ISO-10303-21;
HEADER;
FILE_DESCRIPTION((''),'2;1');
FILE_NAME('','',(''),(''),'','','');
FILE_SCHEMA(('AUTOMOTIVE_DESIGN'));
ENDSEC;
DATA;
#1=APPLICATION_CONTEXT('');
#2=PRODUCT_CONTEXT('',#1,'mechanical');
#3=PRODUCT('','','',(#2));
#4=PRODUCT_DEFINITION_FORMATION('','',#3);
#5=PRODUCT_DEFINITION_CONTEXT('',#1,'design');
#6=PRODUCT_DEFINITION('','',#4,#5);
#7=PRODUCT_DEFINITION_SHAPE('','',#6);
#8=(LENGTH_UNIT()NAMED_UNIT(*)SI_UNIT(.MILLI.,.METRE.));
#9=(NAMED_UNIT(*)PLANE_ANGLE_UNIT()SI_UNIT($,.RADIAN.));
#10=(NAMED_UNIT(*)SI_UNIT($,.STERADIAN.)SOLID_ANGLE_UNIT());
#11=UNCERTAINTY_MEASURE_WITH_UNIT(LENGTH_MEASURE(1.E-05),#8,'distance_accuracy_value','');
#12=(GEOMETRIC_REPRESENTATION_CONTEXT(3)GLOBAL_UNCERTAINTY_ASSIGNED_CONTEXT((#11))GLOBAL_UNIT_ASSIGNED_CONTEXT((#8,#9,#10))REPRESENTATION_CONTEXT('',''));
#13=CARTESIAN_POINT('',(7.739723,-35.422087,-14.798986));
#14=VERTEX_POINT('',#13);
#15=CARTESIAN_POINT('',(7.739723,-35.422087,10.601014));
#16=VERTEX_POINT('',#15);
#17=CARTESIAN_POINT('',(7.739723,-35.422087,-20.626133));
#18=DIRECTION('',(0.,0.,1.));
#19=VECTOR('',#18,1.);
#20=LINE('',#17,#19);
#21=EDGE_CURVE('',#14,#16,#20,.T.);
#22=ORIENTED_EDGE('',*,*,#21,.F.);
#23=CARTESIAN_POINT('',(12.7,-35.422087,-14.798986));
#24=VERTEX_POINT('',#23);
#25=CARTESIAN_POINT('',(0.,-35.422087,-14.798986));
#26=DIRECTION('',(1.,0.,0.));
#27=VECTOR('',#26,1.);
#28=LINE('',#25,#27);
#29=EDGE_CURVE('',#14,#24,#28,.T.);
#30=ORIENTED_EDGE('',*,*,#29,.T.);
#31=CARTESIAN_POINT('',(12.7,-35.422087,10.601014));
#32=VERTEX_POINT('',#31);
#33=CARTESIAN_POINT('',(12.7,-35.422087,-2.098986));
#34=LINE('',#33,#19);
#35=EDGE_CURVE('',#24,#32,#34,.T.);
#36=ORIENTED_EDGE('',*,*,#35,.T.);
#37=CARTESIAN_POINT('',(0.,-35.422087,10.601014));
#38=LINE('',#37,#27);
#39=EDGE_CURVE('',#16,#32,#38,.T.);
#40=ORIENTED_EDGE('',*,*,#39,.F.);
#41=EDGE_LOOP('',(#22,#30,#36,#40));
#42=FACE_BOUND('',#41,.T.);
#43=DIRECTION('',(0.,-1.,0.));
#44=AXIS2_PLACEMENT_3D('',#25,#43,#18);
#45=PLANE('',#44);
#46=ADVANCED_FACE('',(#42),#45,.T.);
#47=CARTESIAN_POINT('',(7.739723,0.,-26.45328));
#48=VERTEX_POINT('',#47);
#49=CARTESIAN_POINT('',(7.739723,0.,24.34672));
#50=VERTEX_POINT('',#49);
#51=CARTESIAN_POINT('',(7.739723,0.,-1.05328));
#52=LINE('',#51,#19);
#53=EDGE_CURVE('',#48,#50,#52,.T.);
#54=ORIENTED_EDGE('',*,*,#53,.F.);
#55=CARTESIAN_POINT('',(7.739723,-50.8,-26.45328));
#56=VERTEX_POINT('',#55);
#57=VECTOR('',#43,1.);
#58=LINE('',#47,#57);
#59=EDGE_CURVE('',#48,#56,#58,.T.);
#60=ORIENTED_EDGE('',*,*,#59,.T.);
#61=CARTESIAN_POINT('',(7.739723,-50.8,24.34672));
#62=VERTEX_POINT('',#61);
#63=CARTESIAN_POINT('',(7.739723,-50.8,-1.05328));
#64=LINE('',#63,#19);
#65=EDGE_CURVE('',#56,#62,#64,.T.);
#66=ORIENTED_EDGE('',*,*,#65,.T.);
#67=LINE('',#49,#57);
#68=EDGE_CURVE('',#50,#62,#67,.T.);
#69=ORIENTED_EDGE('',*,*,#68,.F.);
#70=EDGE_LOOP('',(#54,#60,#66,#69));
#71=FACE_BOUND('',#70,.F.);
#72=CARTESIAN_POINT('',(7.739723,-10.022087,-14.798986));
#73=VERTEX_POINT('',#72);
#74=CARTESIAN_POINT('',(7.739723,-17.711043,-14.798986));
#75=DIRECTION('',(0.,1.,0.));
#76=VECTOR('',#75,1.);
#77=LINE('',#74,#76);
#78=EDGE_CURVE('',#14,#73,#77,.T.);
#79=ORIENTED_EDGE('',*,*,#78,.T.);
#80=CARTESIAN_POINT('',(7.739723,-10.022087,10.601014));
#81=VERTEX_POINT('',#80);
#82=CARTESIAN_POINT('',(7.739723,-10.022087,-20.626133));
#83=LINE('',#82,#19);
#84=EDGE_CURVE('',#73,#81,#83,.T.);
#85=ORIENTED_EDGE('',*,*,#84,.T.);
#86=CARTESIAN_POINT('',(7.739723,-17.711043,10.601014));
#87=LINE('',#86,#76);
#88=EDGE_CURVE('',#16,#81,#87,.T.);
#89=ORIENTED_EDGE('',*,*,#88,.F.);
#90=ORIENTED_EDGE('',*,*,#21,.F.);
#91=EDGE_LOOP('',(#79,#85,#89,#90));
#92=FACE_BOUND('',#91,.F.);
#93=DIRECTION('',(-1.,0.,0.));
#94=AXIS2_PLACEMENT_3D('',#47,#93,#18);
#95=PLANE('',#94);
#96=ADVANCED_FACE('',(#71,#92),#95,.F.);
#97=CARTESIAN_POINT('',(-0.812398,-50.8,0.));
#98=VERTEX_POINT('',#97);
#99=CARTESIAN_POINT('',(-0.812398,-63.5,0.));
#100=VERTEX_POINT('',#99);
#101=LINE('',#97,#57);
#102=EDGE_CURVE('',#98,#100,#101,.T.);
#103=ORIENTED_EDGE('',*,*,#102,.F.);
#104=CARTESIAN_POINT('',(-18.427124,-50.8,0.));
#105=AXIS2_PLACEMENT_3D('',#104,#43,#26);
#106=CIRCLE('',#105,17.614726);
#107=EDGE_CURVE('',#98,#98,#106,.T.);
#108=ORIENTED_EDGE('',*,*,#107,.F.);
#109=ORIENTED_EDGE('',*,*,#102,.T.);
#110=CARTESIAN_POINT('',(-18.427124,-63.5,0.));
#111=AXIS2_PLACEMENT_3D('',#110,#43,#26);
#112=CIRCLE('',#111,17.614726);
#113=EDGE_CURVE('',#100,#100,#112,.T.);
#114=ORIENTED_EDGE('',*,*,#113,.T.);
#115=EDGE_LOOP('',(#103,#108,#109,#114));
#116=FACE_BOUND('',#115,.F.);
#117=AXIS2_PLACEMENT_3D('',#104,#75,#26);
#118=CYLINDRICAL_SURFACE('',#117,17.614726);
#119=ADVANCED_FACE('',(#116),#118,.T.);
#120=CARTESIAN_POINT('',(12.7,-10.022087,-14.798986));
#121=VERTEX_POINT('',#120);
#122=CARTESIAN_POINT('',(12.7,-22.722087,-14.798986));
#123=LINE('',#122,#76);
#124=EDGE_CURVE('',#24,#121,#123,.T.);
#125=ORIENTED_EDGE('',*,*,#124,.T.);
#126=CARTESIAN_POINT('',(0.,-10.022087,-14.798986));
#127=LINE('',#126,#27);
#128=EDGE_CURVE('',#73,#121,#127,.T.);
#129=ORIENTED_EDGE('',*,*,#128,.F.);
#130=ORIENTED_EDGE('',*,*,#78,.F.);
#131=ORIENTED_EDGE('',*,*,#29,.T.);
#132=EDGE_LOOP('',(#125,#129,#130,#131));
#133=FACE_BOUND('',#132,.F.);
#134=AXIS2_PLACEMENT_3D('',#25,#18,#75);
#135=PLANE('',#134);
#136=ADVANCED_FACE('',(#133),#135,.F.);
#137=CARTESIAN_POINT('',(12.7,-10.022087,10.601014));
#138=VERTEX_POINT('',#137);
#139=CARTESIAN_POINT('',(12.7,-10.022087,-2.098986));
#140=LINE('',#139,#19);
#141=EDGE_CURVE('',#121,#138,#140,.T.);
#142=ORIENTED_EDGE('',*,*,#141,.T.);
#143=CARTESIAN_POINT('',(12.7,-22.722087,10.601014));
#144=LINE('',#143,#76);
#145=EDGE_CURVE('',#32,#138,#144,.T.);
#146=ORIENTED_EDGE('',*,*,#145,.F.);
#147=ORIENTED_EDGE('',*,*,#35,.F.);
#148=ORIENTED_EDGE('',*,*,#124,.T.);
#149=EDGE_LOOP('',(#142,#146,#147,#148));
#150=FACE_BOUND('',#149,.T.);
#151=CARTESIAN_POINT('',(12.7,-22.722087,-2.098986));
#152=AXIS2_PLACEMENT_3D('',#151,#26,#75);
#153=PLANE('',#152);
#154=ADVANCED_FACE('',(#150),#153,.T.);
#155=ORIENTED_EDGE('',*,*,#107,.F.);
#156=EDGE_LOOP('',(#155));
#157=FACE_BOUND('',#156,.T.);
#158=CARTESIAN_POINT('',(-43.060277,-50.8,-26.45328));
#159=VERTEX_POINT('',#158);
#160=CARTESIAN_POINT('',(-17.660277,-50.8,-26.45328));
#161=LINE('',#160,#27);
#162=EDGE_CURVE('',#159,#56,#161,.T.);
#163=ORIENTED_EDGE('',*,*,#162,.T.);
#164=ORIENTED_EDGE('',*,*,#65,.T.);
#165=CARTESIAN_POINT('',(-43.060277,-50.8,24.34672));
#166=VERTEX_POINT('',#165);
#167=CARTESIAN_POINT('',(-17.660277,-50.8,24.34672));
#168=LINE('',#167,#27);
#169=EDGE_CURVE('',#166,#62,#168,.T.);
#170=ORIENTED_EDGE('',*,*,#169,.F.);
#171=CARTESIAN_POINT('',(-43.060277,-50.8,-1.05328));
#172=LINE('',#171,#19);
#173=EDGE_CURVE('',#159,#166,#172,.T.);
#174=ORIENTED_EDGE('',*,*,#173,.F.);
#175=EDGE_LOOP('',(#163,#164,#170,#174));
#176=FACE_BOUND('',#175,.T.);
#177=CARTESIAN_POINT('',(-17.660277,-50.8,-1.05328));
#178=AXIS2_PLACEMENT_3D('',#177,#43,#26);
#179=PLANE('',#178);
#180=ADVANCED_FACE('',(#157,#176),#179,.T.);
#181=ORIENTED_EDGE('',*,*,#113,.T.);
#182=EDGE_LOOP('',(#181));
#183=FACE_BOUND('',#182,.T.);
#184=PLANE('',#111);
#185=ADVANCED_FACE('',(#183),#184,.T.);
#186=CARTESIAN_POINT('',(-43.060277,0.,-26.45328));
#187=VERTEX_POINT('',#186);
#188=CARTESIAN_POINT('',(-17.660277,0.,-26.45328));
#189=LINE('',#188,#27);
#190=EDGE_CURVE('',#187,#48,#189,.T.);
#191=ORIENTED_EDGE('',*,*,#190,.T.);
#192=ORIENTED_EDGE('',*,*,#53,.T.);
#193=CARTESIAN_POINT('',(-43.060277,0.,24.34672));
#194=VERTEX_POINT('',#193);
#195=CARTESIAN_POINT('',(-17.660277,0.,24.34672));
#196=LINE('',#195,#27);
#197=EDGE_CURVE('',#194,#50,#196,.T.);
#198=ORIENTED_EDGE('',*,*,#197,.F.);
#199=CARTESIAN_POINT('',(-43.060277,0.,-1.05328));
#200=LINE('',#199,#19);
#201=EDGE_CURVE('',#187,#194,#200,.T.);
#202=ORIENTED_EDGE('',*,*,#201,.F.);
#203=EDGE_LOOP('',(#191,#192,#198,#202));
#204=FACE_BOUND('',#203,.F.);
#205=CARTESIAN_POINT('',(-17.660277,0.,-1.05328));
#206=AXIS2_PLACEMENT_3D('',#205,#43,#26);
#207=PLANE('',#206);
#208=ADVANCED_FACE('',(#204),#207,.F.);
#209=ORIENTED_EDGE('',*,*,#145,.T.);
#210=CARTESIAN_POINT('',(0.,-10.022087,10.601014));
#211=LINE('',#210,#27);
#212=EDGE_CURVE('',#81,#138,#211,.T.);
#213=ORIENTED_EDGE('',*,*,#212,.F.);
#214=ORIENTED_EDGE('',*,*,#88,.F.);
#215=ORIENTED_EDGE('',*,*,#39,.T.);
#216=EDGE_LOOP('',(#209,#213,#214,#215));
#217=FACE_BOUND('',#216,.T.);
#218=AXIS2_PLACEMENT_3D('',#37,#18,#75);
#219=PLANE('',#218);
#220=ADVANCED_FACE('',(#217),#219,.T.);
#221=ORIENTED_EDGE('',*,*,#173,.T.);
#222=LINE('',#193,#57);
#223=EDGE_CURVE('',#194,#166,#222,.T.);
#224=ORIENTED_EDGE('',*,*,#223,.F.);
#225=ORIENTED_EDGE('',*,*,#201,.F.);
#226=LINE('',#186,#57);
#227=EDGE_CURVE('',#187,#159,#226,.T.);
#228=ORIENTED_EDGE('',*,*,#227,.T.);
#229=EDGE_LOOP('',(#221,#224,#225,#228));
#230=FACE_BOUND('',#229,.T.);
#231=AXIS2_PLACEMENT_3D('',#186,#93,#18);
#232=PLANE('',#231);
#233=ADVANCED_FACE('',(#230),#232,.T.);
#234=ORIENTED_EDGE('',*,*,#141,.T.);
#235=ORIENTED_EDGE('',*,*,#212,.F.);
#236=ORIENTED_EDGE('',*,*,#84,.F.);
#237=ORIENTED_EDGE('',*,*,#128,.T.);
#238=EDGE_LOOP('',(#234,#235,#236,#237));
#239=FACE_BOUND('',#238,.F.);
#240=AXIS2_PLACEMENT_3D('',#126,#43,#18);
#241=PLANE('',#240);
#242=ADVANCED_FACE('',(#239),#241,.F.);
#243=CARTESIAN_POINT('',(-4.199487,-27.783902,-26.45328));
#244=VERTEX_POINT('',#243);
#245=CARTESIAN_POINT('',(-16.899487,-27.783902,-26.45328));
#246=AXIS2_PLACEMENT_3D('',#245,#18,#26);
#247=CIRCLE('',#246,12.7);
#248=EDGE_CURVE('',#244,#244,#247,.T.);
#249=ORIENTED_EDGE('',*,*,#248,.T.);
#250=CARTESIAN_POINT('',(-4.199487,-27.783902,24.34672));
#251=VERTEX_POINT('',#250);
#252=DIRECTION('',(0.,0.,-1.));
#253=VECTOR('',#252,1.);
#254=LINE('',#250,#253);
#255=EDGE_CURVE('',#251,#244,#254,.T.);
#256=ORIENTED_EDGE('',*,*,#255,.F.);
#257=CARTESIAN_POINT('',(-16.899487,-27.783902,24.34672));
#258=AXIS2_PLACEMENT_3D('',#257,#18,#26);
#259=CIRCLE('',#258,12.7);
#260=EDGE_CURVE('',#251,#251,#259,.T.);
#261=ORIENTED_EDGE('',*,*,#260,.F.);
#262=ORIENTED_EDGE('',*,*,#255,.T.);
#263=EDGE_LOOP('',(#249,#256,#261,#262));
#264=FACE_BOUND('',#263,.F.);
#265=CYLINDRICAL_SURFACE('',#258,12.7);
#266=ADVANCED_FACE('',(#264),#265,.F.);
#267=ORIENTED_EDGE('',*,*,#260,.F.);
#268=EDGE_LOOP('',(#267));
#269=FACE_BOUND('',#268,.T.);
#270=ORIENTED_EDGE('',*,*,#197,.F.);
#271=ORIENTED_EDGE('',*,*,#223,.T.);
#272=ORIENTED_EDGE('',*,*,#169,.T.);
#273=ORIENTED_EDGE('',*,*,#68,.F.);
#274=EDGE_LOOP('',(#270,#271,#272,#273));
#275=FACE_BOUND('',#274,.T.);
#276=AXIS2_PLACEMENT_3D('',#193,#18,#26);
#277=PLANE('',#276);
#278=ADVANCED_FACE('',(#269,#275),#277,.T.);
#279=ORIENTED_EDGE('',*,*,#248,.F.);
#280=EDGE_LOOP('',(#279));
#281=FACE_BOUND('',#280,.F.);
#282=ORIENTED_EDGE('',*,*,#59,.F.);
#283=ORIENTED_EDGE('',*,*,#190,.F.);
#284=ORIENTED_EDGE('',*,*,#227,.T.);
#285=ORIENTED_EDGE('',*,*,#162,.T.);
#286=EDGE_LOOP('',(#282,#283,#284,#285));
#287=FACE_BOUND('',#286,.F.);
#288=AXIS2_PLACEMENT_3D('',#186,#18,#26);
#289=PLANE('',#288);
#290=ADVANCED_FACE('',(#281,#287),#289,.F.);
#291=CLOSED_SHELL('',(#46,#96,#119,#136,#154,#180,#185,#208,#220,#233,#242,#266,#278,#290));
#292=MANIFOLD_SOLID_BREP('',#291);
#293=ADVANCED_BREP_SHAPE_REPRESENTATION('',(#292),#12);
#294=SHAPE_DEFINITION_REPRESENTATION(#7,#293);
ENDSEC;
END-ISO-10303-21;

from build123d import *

# Parameters (mm, degrees)
F0_W     = 50.8
F0_H     = 50.8
F1_DEPTH = 50.8
F2_R     = 12.7
F3_DEPTH = 50.8
F4_W     = 25.4
F4_H     = 25.4
F5_DEPTH = 12.7
F6_R     = 17.614726
F7_DEPTH = 12.7


with BuildPart() as f1:
    # F0 (on Front) → F1 (new body)
    with BuildSketch(Plane.XZ):
        with Locations((-17.660277, -1.05328)):
            Rectangle(F0_W, F0_H)
    extrude(amount=F1_DEPTH)

    # F2 (on face) → F3 (cut)
    with BuildSketch(Plane.XY.offset(24.34672)):
        with Locations((-16.899487, -27.783902)):
            Circle(F2_R)
    extrude(amount=-F3_DEPTH, mode=Mode.SUBTRACT)

    # F4 (on Right) → F5 (join)
    with BuildSketch(Plane.YZ):
        with Locations((-22.722087, -2.098986)):
            Rectangle(F4_W, F4_H)
    extrude(amount=F5_DEPTH)

    # F6 (on face) → F7 (join)
    with BuildSketch(Plane.XZ.offset(50.8)):
        with Locations((-18.427124, 0)):
            Circle(F6_R)
    extrude(amount=F7_DEPTH)


solid = f1.part
